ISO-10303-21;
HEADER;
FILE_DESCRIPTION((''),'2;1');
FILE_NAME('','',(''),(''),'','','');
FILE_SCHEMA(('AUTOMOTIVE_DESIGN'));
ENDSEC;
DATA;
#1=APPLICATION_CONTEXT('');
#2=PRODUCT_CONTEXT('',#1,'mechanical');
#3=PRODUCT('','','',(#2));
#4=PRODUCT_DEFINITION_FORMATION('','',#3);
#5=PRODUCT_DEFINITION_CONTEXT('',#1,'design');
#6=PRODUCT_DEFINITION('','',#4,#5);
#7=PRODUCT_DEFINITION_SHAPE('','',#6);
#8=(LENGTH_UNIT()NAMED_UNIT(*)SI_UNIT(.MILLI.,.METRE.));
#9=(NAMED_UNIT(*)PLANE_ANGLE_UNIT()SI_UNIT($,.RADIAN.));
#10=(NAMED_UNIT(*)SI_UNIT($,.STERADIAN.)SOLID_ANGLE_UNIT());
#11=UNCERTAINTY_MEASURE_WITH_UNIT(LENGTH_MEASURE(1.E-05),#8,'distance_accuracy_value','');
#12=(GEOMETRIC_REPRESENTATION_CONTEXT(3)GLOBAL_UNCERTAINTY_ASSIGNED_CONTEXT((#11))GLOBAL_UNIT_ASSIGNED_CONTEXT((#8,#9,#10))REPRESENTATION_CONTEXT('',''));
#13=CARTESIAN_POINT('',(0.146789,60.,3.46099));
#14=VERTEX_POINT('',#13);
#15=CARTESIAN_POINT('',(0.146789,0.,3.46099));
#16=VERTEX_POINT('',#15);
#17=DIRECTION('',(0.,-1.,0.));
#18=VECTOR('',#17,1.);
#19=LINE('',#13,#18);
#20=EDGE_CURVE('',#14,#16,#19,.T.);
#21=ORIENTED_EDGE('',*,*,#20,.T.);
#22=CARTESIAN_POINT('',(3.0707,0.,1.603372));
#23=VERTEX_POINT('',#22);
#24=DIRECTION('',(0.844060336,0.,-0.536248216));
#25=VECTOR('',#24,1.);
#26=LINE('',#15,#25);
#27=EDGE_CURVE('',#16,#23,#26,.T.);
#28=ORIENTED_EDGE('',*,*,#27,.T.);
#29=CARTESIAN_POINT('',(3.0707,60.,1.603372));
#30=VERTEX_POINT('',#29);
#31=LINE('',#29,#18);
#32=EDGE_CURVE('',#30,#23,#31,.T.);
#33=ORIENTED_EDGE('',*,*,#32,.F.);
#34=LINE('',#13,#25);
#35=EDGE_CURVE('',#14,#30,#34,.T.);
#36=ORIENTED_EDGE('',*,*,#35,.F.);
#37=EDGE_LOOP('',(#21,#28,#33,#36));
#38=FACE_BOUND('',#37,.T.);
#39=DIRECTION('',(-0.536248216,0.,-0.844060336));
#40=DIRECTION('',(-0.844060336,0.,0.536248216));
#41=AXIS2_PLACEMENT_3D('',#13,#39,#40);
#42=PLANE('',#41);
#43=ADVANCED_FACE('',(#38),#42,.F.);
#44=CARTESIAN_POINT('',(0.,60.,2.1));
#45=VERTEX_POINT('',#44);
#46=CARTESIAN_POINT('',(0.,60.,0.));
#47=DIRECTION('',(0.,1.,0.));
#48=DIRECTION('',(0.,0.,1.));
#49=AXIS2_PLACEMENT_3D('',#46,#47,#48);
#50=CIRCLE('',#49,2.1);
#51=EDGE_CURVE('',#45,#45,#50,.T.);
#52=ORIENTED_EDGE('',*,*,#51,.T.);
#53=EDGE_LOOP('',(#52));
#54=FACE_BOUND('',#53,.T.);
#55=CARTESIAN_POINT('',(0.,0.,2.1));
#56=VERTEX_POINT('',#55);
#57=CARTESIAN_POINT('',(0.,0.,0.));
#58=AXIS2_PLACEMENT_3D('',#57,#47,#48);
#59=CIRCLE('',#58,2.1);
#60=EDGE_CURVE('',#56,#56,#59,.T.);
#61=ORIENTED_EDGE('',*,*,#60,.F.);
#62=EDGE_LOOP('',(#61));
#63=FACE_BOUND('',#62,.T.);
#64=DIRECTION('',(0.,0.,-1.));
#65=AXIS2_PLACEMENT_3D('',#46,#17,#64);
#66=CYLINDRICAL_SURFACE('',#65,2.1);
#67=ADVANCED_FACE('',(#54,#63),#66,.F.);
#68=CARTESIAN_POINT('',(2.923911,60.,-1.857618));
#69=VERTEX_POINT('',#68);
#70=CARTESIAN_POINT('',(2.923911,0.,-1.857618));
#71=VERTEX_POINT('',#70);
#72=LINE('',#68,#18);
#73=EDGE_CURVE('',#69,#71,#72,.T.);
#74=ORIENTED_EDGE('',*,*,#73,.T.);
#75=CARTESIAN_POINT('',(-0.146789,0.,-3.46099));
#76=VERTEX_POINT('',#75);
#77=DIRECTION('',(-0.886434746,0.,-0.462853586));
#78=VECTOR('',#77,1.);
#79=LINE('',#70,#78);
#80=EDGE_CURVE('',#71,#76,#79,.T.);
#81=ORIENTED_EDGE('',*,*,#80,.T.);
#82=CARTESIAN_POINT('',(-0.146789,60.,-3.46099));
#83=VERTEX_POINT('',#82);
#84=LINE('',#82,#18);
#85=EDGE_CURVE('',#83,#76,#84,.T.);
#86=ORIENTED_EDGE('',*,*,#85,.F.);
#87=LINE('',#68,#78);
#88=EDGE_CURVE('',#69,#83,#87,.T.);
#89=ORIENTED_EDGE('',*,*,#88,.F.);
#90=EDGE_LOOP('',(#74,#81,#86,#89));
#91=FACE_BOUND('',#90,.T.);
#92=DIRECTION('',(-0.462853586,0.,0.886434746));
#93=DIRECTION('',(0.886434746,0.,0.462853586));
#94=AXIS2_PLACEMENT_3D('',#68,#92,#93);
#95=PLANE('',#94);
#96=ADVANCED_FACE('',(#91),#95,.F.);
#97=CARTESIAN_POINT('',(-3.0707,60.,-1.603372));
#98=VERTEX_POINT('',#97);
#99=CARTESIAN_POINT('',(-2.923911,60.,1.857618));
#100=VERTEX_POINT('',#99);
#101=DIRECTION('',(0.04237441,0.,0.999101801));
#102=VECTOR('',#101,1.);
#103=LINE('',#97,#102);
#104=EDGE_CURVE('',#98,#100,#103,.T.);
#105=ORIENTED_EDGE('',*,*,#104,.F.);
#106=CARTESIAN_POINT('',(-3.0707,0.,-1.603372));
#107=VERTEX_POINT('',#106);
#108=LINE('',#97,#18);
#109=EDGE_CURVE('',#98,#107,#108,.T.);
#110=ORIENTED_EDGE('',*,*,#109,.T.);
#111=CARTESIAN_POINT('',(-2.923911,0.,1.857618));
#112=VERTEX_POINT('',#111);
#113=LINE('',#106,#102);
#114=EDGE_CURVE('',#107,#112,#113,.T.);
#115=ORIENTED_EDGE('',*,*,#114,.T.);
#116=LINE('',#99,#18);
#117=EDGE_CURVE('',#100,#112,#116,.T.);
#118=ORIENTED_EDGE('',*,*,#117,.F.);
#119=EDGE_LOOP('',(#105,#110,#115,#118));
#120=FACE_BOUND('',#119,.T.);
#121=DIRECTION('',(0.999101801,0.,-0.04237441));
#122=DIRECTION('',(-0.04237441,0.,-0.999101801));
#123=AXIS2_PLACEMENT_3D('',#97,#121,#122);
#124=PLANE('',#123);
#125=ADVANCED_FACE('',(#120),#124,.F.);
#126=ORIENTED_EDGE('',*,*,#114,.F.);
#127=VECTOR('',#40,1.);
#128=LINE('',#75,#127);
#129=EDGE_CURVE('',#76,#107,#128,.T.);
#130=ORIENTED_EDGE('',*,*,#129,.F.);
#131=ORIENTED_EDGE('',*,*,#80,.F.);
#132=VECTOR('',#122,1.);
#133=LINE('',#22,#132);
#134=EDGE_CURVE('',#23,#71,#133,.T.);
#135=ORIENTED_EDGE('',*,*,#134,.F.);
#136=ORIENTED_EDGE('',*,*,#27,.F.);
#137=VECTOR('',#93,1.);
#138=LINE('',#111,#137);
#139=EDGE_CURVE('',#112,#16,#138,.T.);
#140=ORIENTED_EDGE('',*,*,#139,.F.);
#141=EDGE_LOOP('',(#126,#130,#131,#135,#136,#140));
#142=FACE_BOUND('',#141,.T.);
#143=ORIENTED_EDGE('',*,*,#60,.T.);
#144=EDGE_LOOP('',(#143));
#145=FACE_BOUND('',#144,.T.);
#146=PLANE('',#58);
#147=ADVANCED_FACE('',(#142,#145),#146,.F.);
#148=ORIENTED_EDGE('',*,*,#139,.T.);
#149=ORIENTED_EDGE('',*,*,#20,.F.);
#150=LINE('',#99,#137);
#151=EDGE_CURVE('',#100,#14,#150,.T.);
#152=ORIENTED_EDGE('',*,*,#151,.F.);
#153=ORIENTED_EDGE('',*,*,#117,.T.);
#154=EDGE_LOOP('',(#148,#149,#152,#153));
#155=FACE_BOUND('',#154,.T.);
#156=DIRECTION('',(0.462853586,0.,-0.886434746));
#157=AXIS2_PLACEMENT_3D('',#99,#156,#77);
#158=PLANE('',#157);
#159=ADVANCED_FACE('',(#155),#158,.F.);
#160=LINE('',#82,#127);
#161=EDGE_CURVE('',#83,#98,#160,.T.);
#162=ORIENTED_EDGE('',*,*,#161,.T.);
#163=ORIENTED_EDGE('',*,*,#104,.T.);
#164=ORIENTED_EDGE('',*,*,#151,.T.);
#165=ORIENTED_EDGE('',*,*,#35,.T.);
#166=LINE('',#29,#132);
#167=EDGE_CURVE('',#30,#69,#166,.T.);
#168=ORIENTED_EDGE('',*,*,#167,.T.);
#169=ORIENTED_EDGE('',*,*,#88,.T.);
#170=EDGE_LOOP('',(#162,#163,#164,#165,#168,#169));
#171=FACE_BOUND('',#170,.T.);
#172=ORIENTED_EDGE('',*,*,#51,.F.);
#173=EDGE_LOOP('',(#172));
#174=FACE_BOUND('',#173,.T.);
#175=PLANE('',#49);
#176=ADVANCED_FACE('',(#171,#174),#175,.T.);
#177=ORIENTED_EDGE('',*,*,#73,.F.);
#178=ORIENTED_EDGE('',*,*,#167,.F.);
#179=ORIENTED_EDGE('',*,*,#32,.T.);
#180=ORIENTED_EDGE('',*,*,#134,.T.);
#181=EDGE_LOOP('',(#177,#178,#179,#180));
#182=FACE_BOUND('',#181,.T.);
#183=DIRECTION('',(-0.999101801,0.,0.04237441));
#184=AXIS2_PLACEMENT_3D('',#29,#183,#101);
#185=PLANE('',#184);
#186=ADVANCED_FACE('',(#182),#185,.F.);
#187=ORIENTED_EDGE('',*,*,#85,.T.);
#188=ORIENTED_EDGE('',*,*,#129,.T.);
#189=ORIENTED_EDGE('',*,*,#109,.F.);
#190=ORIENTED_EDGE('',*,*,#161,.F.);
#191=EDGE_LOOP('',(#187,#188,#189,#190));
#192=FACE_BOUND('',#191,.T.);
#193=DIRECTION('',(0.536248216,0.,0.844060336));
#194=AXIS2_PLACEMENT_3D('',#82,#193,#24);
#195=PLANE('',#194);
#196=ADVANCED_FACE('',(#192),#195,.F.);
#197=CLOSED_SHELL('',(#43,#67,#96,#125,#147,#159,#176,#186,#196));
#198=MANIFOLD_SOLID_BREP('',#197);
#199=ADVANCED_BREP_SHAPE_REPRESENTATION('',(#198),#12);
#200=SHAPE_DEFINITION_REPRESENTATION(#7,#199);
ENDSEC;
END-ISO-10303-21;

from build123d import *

# Parameters (mm, degrees)
SKETCH_1_R      = 2.1
EXTRUDE_1_DEPTH = 60


with BuildPart() as part:
    # 草图1 → 凸台-拉伸1 (new body)
    with BuildSketch(Plane(origin=(0, 0, 0), x_dir=(1, 0, 0), z_dir=(0, 1, 0))):
        Polygon((3.070700034, -1.603371853), (2.923910774, 1.85761831), (-0.14678926, 3.460990164), (-3.070700034, 1.603371853), (-2.923910774, -1.85761831), (0.14678926, -3.460990164), align=None)
        with Locations(Location((0, 0, 0), (0, 0, 270))):
            Circle(SKETCH_1_R, mode=Mode.SUBTRACT)
    extrude(amount=EXTRUDE_1_DEPTH)


solid = part.part
